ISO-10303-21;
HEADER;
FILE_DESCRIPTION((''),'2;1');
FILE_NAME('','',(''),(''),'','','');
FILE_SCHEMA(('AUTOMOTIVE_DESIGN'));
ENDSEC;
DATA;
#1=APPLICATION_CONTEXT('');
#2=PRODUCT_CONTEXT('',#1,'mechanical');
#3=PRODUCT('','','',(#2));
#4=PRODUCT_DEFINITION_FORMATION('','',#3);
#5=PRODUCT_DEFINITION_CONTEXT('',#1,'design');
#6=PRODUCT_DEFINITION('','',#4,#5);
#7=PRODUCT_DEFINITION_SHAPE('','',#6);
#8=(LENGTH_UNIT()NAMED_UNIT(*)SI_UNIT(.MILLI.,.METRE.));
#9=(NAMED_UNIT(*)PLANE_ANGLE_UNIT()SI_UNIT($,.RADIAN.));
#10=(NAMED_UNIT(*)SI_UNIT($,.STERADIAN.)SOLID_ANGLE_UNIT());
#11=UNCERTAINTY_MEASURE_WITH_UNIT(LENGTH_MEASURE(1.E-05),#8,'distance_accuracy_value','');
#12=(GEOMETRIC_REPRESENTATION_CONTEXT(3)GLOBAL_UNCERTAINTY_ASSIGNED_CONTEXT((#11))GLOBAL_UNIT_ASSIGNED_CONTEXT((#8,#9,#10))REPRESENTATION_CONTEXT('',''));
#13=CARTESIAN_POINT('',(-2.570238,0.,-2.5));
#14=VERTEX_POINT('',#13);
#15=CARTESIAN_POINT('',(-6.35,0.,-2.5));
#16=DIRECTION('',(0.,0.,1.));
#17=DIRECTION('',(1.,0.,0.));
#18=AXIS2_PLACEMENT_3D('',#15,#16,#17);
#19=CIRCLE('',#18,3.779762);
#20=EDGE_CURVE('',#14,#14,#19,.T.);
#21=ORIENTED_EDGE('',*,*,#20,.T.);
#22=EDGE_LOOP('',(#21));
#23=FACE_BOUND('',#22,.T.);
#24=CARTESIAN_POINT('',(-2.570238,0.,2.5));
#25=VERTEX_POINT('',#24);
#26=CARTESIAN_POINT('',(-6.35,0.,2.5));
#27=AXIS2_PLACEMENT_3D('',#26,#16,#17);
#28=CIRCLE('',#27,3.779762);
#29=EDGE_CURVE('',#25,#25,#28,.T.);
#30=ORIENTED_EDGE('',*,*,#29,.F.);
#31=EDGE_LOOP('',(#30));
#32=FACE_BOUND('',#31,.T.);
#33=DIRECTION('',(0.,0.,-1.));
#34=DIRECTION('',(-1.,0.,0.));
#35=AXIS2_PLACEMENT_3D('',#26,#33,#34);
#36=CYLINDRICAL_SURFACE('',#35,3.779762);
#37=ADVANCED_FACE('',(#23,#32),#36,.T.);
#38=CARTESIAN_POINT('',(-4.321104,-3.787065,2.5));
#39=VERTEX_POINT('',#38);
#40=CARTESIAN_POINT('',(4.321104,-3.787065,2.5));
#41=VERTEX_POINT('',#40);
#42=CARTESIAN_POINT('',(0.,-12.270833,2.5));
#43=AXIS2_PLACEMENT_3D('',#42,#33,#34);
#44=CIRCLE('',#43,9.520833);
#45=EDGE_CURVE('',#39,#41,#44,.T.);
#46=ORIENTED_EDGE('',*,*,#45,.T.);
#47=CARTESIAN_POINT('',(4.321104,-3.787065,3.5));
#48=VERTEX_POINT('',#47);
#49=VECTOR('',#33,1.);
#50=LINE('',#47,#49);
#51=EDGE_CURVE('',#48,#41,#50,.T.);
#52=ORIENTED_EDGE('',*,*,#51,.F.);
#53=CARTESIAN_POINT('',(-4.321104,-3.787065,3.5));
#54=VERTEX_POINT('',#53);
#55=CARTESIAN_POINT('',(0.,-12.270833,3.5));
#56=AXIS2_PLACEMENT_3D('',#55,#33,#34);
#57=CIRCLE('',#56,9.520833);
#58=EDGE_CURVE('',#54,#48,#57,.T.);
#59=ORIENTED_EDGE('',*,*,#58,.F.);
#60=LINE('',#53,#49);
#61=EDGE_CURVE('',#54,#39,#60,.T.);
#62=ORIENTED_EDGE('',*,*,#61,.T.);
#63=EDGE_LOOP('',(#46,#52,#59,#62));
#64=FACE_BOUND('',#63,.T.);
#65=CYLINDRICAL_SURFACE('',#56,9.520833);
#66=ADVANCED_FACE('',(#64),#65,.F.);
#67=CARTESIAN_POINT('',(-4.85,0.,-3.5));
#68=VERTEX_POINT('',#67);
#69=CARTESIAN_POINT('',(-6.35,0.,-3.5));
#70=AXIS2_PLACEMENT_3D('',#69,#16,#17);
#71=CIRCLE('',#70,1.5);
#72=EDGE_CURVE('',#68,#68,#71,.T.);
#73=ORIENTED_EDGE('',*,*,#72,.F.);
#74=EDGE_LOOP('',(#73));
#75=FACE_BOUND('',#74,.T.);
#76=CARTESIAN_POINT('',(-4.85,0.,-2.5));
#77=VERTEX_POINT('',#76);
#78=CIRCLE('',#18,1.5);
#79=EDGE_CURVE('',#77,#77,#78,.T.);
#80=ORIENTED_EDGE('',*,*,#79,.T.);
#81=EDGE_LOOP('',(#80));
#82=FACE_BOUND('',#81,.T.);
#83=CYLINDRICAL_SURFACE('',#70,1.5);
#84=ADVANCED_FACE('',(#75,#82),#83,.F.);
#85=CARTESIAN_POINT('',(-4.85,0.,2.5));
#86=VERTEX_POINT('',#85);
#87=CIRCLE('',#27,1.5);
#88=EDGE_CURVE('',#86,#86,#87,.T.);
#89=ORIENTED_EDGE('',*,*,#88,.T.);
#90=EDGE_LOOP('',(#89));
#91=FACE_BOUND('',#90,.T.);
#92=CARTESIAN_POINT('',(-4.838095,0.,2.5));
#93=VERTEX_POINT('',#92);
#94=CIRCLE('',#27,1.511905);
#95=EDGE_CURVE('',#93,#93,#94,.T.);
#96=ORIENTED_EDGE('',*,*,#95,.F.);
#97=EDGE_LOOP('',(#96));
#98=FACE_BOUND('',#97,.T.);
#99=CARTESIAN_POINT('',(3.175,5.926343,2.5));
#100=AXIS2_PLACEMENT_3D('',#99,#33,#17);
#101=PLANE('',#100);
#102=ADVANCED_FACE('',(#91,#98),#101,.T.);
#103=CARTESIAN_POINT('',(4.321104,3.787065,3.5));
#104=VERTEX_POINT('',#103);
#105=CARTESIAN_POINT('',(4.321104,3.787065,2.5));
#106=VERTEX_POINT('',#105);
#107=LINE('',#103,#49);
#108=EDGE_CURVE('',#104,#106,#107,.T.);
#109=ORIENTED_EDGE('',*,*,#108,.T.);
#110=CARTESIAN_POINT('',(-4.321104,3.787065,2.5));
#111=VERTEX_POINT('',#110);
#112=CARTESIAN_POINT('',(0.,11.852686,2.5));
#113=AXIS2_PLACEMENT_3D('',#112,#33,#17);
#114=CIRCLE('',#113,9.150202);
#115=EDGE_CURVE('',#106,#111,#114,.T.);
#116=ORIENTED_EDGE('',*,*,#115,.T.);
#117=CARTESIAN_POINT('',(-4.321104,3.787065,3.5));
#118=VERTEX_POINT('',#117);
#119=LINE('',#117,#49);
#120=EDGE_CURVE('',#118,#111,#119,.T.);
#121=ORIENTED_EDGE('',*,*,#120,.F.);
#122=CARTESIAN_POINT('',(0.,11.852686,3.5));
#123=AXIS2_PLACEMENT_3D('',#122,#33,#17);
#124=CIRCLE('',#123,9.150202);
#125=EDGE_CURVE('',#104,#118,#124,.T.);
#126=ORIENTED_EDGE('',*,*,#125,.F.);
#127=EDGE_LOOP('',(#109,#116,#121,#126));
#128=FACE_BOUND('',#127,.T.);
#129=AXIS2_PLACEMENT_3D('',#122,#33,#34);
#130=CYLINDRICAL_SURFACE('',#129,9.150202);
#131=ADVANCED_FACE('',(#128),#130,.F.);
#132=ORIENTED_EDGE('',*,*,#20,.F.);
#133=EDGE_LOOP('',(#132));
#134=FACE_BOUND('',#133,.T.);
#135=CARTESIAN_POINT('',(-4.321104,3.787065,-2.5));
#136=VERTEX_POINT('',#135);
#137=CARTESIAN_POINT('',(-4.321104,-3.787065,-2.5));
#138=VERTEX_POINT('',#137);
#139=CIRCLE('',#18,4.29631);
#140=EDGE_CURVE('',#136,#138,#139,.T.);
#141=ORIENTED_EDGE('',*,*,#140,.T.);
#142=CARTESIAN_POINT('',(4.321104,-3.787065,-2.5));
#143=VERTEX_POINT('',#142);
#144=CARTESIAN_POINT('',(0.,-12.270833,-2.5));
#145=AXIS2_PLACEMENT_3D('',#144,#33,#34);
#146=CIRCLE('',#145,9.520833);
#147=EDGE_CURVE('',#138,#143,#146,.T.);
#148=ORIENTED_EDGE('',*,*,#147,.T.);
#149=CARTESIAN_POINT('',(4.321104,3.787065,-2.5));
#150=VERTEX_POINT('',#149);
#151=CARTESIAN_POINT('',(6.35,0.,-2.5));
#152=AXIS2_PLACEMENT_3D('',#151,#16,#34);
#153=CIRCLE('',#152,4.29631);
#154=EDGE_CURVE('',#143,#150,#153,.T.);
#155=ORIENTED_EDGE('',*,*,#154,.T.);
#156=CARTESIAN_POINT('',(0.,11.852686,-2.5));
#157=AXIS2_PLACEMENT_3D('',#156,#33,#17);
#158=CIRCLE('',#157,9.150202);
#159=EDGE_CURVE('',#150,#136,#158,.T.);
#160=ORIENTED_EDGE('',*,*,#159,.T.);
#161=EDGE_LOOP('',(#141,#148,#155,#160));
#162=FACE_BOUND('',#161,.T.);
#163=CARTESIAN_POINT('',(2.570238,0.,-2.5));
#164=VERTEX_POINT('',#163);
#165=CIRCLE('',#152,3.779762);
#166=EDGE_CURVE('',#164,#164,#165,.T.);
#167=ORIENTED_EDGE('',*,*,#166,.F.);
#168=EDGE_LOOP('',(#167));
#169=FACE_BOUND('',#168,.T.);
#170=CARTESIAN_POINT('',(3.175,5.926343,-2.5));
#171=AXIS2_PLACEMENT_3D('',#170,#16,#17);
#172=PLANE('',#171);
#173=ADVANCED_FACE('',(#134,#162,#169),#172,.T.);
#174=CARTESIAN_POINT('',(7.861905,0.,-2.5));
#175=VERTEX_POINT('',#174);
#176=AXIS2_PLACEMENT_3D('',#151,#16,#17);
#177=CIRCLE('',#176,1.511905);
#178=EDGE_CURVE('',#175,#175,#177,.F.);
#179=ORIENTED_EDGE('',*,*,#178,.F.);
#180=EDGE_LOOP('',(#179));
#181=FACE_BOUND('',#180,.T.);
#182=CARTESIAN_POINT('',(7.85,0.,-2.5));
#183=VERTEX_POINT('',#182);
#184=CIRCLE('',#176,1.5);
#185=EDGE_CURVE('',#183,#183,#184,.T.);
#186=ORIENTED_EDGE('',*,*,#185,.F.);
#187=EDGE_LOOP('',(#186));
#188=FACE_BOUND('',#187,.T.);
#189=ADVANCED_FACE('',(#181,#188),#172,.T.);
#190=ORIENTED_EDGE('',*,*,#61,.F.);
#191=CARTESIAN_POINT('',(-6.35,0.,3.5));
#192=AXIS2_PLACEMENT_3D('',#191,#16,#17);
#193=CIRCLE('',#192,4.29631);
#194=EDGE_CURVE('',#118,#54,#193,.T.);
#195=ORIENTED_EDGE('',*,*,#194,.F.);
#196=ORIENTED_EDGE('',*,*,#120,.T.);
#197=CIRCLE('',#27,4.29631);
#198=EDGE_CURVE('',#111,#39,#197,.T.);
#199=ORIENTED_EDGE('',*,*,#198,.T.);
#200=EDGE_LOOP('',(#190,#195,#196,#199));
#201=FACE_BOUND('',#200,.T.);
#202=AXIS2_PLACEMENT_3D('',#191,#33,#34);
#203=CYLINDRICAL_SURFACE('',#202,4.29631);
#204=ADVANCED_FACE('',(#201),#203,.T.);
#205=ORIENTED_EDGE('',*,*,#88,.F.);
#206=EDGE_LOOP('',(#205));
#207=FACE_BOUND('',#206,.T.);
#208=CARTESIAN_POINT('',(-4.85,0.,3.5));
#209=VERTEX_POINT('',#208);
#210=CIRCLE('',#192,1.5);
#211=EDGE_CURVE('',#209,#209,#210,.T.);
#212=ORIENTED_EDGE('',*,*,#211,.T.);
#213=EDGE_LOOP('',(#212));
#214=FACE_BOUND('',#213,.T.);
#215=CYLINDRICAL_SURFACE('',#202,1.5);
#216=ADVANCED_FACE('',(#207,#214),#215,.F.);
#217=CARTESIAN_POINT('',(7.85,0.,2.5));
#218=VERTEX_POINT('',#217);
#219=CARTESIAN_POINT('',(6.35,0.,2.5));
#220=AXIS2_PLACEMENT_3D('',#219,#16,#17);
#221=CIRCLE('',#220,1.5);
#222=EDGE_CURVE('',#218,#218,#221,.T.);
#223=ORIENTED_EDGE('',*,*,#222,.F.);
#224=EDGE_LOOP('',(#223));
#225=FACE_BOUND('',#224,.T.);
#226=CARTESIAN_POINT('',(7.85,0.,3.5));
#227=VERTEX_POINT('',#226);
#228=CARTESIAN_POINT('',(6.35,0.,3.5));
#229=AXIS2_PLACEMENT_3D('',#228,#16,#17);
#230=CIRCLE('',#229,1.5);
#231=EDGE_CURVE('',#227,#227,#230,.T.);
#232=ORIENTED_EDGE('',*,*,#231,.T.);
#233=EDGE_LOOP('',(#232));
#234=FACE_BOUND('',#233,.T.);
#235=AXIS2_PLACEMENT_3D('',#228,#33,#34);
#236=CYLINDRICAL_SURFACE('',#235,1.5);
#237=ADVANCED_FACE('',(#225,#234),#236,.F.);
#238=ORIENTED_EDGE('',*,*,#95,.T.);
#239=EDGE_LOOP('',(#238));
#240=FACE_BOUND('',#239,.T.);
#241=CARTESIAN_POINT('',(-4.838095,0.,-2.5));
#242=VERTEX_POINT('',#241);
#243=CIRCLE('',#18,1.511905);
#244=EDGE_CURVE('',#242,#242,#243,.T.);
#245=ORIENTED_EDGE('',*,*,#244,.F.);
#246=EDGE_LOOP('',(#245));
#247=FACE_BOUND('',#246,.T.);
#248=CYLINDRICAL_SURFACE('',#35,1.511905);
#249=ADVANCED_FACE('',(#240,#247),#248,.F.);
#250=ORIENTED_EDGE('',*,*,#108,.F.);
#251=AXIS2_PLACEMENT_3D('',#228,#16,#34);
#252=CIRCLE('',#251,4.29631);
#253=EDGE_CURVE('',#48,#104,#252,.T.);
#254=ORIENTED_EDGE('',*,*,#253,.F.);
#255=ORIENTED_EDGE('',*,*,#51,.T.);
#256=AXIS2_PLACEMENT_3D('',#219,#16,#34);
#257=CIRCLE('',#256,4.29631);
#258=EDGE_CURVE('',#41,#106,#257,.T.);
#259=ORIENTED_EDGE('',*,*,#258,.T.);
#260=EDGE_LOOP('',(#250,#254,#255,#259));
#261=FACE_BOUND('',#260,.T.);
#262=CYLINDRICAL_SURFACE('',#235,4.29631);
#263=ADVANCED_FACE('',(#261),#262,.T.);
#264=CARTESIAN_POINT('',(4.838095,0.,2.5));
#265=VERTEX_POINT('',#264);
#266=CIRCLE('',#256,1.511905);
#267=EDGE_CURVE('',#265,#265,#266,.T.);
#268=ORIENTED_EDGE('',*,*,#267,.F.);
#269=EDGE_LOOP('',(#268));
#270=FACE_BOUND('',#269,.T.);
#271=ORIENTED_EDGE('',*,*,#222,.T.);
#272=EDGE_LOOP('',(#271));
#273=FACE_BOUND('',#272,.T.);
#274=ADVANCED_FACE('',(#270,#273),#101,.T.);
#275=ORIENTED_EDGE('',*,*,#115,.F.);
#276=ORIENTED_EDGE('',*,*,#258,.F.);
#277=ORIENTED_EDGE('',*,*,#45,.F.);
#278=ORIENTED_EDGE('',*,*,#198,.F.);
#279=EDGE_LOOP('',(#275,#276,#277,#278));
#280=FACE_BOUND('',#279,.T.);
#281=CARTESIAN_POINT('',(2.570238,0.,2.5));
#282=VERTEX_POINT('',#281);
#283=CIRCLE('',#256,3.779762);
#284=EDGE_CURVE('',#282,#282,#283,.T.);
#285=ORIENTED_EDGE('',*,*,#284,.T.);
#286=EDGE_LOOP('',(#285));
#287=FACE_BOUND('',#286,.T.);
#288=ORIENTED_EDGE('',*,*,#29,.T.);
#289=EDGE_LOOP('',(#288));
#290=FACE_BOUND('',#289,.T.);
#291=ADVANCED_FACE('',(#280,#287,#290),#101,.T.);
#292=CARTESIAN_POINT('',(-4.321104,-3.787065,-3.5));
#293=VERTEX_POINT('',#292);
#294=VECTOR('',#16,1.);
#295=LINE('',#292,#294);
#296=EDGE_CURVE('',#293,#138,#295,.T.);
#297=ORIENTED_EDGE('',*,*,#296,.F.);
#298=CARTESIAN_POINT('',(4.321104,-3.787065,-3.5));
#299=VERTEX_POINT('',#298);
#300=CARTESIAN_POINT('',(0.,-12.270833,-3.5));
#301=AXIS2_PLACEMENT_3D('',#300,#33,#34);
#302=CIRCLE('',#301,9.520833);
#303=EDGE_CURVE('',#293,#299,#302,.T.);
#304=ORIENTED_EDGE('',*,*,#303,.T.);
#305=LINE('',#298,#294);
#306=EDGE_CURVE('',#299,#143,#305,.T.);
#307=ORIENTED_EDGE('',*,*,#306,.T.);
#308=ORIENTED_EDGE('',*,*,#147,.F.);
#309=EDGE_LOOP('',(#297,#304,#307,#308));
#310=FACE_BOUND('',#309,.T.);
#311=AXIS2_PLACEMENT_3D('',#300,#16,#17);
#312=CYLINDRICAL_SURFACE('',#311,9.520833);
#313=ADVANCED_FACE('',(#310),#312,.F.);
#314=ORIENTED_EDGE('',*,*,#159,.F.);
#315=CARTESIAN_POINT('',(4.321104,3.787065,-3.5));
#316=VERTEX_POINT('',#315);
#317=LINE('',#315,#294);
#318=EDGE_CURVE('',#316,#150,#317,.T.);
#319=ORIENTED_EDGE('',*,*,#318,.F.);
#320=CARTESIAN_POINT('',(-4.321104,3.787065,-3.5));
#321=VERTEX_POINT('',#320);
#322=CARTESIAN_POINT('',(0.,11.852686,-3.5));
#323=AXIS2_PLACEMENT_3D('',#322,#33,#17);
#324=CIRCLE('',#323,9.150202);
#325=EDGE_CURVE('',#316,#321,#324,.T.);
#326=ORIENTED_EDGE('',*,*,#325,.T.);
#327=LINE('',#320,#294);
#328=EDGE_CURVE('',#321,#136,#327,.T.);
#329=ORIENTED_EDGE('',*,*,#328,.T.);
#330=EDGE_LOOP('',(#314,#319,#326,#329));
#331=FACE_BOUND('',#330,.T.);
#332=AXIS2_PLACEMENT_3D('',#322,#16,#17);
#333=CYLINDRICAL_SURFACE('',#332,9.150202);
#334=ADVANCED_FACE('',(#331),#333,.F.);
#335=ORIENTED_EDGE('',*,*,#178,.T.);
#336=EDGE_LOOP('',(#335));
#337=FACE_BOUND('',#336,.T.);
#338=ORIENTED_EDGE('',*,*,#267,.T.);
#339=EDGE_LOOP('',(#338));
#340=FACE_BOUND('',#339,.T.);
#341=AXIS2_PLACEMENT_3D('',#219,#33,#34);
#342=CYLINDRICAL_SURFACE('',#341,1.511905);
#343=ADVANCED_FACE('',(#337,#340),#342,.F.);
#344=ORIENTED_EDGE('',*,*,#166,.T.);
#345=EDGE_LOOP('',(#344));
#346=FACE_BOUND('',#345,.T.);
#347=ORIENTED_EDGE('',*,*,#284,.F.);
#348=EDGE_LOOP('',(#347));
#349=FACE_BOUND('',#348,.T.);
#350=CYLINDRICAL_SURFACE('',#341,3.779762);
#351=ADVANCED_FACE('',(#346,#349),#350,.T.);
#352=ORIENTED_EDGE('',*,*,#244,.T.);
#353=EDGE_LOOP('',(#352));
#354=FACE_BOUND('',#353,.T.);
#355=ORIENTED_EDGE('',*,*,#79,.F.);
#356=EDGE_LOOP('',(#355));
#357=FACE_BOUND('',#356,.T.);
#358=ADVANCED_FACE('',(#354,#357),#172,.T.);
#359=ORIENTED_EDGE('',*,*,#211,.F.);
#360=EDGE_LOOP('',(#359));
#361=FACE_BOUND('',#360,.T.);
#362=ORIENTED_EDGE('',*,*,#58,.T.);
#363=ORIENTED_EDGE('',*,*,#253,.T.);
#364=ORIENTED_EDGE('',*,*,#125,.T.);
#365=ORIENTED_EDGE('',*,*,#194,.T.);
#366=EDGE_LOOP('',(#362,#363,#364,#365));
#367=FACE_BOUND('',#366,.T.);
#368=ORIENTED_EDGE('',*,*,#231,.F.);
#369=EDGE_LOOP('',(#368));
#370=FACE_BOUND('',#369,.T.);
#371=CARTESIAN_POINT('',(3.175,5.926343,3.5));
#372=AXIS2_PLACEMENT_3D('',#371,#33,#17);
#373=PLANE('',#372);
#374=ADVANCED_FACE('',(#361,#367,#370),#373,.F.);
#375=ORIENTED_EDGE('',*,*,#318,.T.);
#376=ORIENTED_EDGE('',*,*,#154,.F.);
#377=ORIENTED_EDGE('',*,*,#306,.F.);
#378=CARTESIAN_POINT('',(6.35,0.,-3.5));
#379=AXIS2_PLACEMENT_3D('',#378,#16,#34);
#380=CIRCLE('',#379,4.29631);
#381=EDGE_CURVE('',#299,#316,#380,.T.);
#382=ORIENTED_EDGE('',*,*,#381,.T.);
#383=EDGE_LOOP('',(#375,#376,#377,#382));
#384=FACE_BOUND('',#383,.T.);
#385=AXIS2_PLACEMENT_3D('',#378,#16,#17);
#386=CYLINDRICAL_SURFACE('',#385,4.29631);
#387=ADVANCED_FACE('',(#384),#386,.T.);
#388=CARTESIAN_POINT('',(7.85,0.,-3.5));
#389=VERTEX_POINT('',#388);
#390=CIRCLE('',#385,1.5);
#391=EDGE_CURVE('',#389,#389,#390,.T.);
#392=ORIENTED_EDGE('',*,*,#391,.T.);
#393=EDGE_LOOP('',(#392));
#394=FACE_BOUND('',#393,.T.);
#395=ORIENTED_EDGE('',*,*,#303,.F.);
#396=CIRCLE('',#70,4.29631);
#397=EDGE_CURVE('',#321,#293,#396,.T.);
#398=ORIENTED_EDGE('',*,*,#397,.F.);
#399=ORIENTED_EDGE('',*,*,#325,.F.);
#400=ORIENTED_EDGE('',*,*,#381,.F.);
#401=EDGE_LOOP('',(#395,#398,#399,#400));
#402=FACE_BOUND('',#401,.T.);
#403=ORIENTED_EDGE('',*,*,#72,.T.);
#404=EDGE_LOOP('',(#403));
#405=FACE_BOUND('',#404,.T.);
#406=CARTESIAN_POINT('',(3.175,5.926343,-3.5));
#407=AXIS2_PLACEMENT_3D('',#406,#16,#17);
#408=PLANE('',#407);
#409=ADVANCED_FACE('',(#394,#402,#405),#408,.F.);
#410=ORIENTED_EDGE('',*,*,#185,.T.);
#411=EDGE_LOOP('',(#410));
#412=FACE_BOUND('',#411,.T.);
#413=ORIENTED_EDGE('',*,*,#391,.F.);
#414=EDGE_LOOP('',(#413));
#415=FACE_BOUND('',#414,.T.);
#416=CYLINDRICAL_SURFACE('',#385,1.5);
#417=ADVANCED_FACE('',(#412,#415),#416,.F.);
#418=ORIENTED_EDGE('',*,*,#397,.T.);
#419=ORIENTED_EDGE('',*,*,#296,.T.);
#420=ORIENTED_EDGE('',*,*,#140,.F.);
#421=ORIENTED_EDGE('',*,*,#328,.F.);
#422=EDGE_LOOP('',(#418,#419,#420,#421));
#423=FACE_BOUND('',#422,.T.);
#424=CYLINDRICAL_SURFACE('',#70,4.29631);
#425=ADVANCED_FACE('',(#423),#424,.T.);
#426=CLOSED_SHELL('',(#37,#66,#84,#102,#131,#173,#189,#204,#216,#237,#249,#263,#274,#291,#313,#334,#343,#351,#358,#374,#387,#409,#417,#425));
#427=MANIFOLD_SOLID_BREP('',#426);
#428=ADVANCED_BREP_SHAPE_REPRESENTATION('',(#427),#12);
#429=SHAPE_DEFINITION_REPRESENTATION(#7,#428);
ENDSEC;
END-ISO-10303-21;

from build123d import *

# Parameters (mm, degrees)
SKETCH1_R             = 3.779761905
SKETCH1_R_2           = 1.511904762
BOSS_EXTRUDE1_DEPTH   = 2.5
BOSS_EXTRUDE1_2_DEPTH = 2.5
SKETCH2_R             = 1.5
BOSS_EXTRUDE2_DEPTH   = 1


with BuildPart() as part:
    # Sketch1 → Boss-Extrude1 (new, symmetric)
    with BuildSketch(Plane.XY):
        with Locations((-6.35, 0)):
            Circle(SKETCH1_R)
        with Locations((-6.35, 0)):
            Circle(SKETCH1_R_2, mode=Mode.SUBTRACT)
    extrude(amount=BOSS_EXTRUDE1_DEPTH, both=True)



with BuildPart() as body_2:
    # Sketch1 → Boss-Extrude1 2 (new, symmetric)
    with BuildSketch(Plane.XY):
        with Locations(Location((6.35, 0, 0), (0, 0, 180))):
            Circle(SKETCH1_R)
        with Locations(Location((6.35, 0, 0), (0, 0, 180))):
            Circle(SKETCH1_R_2, mode=Mode.SUBTRACT)
    extrude(amount=BOSS_EXTRUDE1_2_DEPTH, both=True)


with BuildPart() as part_1:
    add(part.part)

    add(body_2.part)  # Boss-Extrude2 merges body 2
    # Sketch2 → Boss-Extrude2 (add)
    with BuildSketch(Plane.XY.offset(-2.5)):
        with BuildLine():
            ThreePointArc((-4.321104387, 3.787065053), (-10.646309943, 0), (-4.321104387, -3.787065053))
            ThreePointArc((-4.321104387, -3.787065053), (0, -2.75), (4.321104387, -3.787065053))
            ThreePointArc((4.321104387, -3.787065053), (10.646309943, 0), (4.321104387, 3.787065053))
            ThreePointArc((4.321104387, 3.787065053), (0, 2.702484697), (-4.321104387, 3.787065053))
        make_face()
        with Locations((6.35, 0)):
            Circle(SKETCH2_R, mode=Mode.SUBTRACT)
        with Locations((-6.35, 0)):
            Circle(SKETCH2_R, mode=Mode.SUBTRACT)
    boss_extrude2 = extrude(amount=-BOSS_EXTRUDE2_DEPTH)

    # Mirror1: Boss-Extrude2 across plane
    add(boss_extrude2.mirror(Plane.XY))


solid = part_1.part
